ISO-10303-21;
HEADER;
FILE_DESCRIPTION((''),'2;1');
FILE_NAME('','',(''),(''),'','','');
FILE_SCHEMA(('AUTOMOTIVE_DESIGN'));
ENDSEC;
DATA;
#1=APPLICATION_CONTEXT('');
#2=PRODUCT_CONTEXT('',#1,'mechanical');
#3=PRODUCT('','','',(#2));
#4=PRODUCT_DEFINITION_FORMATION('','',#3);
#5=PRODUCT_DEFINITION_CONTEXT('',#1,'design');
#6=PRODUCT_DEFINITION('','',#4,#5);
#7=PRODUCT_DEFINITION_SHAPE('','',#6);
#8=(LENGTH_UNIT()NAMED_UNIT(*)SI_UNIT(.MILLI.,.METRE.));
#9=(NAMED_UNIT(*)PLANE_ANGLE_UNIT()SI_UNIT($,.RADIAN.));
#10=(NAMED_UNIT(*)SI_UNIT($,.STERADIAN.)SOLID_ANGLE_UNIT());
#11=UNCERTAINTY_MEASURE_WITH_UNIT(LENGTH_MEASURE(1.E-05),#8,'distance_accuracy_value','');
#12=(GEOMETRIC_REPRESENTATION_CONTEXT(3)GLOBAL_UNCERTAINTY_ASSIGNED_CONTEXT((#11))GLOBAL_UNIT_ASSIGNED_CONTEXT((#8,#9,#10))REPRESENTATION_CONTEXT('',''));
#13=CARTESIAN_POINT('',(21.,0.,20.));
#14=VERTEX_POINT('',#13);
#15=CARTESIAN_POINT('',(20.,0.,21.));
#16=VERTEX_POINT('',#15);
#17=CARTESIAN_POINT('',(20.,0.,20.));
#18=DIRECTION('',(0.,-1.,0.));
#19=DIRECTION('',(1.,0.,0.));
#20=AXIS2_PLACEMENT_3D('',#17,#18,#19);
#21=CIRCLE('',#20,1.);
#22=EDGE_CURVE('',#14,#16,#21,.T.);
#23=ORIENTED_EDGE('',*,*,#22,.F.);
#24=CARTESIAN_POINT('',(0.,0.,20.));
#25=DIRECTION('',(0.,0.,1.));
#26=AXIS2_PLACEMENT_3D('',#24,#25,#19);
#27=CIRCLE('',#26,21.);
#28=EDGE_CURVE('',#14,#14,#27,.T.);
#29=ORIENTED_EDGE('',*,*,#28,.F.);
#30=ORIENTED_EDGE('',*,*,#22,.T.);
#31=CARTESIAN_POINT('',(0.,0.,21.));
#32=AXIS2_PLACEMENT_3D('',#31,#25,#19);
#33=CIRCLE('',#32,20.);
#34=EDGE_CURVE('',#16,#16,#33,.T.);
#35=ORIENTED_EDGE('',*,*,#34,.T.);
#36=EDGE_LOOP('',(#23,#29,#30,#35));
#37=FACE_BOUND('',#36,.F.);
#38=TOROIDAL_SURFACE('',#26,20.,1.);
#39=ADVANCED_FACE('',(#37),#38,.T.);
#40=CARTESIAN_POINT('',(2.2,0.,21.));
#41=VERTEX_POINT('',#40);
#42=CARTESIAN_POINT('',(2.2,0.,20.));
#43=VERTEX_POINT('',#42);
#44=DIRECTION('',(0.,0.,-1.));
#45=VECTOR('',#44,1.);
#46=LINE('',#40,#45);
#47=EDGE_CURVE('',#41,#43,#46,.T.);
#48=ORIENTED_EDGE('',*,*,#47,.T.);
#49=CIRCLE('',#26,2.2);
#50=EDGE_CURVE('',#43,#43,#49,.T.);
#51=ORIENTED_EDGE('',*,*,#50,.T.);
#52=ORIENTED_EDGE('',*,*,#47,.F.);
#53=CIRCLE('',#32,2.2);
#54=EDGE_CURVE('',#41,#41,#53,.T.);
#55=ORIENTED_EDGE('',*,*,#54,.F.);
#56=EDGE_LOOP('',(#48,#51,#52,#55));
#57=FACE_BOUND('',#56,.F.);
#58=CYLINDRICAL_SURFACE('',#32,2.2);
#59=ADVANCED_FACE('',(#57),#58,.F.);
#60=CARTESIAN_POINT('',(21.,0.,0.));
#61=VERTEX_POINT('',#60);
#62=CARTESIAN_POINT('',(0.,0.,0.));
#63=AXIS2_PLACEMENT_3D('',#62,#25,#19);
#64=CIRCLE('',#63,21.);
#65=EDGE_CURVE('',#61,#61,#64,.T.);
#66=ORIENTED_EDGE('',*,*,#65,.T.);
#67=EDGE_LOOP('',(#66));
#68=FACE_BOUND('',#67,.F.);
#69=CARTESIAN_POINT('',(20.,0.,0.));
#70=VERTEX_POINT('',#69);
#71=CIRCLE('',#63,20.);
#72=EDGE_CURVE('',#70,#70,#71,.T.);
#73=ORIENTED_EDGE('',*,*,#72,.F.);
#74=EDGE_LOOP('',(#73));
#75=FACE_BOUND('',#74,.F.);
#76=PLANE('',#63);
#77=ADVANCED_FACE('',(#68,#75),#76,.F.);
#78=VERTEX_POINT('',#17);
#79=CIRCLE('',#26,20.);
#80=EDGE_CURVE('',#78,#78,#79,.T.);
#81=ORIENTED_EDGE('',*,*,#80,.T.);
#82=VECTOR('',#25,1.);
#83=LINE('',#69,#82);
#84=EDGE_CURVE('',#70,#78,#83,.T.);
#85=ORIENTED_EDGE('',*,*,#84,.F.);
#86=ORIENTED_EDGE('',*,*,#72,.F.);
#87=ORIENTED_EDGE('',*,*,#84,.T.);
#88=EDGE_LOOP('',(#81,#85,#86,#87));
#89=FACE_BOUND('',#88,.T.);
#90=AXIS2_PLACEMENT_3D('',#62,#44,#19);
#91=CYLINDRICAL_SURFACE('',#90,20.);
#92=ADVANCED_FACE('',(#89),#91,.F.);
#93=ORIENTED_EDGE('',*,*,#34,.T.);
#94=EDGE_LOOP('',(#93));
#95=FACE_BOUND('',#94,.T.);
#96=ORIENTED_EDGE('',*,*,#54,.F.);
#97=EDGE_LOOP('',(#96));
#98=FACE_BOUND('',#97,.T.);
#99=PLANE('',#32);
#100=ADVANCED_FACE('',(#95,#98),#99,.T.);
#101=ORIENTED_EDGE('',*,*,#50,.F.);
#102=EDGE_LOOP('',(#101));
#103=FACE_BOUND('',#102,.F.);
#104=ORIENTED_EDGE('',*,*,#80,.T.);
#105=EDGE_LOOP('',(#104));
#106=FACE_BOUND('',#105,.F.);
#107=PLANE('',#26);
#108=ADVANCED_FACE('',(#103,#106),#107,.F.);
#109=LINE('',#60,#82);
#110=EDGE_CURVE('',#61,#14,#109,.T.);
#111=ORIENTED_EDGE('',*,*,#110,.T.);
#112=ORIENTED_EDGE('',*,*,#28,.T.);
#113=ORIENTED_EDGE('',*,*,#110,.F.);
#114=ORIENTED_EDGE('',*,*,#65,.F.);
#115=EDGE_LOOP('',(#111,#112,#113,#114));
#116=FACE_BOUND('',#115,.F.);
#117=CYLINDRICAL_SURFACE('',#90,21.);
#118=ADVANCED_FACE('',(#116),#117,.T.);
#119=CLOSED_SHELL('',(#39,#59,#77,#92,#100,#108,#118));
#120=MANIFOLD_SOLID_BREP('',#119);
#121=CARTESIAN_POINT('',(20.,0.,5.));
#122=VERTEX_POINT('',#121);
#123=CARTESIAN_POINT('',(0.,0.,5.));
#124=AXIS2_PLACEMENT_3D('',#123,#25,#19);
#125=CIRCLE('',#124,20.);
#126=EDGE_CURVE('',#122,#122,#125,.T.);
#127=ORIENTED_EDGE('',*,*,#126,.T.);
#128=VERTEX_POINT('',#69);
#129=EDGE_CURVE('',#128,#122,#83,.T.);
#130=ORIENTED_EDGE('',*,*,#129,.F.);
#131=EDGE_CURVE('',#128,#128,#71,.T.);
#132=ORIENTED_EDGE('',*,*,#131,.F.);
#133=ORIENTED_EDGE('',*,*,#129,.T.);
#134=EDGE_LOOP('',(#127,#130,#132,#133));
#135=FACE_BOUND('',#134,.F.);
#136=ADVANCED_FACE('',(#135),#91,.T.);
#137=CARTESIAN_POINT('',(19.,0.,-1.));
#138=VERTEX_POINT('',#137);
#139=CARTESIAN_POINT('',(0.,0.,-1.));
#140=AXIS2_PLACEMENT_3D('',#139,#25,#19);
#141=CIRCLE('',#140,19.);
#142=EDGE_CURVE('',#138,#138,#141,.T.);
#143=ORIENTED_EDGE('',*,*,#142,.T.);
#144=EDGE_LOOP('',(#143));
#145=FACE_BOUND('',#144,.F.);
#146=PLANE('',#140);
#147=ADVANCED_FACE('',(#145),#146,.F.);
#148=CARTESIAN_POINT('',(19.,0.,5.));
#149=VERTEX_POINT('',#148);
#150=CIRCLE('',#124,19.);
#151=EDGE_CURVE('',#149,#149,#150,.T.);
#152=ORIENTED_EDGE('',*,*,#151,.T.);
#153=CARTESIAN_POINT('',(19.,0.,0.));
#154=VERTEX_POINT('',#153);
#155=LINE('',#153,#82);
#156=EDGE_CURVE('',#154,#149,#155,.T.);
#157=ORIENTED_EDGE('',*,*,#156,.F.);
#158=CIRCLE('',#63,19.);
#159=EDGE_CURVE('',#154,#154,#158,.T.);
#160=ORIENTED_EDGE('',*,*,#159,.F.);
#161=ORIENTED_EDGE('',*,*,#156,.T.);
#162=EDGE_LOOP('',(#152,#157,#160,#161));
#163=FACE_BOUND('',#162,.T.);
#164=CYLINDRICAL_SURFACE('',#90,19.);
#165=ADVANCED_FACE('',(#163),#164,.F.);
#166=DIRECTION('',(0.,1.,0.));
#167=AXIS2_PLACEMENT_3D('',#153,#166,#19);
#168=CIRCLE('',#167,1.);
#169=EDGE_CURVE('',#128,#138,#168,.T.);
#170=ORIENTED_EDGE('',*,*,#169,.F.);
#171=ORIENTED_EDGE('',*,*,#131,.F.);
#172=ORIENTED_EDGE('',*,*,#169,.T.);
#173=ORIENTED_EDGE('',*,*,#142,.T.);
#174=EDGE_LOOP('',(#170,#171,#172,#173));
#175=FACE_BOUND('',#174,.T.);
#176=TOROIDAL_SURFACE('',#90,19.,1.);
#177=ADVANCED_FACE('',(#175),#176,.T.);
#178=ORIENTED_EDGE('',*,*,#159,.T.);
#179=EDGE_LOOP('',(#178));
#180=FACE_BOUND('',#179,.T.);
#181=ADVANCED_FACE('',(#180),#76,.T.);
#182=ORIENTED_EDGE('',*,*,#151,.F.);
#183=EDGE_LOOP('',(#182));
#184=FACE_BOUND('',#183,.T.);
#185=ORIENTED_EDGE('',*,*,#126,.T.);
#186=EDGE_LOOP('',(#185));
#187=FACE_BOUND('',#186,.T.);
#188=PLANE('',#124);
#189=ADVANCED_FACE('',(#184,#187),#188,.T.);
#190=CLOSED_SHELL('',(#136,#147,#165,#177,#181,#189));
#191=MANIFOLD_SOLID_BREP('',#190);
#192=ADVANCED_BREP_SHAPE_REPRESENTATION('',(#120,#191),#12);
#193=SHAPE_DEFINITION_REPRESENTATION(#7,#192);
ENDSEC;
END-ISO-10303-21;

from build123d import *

# Parameters (mm, degrees)
CYLINDER_R        = 20
CYLINDER_DEPTH    = 20
THICKNESS_T       = 1
SKETCH_R          = 2.2
POCKET_DEPTH      = 21.001
CYLINDER001_R     = 19
CYLINDER001_DEPTH = 5
THICKNESS001_T    = 1


with BuildPart() as body:
    # Cylinder → Cylinder (join)
    with BuildSketch(Plane.XY):
        Circle(CYLINDER_R)
    extrude(amount=CYLINDER_DEPTH)

    # Thickness
    thickness_openings = [body.faces().sort_by_distance(p)[0] for p in [
        (0, 0, 0),
    ]]
    offset(amount=THICKNESS_T, openings=thickness_openings)

    # Sketch (on Face6 of Thickness) → Pocket (cut, through all)
    with BuildSketch(Plane.XY.offset(21)):
        Circle(SKETCH_R)
    extrude(amount=-POCKET_DEPTH, mode=Mode.SUBTRACT)


with BuildPart() as body001:
    # Cylinder001 → Cylinder001 (join)
    with BuildSketch(Plane.XY):
        Circle(CYLINDER001_R)
    extrude(amount=CYLINDER001_DEPTH)

    # Thickness001
    thickness001_openings = [body001.faces().sort_by_distance(p)[0] for p in [
        (0, 0, 5),
    ]]
    offset(amount=THICKNESS001_T, openings=thickness001_openings)


solid = Compound([body.part, body001.part])
